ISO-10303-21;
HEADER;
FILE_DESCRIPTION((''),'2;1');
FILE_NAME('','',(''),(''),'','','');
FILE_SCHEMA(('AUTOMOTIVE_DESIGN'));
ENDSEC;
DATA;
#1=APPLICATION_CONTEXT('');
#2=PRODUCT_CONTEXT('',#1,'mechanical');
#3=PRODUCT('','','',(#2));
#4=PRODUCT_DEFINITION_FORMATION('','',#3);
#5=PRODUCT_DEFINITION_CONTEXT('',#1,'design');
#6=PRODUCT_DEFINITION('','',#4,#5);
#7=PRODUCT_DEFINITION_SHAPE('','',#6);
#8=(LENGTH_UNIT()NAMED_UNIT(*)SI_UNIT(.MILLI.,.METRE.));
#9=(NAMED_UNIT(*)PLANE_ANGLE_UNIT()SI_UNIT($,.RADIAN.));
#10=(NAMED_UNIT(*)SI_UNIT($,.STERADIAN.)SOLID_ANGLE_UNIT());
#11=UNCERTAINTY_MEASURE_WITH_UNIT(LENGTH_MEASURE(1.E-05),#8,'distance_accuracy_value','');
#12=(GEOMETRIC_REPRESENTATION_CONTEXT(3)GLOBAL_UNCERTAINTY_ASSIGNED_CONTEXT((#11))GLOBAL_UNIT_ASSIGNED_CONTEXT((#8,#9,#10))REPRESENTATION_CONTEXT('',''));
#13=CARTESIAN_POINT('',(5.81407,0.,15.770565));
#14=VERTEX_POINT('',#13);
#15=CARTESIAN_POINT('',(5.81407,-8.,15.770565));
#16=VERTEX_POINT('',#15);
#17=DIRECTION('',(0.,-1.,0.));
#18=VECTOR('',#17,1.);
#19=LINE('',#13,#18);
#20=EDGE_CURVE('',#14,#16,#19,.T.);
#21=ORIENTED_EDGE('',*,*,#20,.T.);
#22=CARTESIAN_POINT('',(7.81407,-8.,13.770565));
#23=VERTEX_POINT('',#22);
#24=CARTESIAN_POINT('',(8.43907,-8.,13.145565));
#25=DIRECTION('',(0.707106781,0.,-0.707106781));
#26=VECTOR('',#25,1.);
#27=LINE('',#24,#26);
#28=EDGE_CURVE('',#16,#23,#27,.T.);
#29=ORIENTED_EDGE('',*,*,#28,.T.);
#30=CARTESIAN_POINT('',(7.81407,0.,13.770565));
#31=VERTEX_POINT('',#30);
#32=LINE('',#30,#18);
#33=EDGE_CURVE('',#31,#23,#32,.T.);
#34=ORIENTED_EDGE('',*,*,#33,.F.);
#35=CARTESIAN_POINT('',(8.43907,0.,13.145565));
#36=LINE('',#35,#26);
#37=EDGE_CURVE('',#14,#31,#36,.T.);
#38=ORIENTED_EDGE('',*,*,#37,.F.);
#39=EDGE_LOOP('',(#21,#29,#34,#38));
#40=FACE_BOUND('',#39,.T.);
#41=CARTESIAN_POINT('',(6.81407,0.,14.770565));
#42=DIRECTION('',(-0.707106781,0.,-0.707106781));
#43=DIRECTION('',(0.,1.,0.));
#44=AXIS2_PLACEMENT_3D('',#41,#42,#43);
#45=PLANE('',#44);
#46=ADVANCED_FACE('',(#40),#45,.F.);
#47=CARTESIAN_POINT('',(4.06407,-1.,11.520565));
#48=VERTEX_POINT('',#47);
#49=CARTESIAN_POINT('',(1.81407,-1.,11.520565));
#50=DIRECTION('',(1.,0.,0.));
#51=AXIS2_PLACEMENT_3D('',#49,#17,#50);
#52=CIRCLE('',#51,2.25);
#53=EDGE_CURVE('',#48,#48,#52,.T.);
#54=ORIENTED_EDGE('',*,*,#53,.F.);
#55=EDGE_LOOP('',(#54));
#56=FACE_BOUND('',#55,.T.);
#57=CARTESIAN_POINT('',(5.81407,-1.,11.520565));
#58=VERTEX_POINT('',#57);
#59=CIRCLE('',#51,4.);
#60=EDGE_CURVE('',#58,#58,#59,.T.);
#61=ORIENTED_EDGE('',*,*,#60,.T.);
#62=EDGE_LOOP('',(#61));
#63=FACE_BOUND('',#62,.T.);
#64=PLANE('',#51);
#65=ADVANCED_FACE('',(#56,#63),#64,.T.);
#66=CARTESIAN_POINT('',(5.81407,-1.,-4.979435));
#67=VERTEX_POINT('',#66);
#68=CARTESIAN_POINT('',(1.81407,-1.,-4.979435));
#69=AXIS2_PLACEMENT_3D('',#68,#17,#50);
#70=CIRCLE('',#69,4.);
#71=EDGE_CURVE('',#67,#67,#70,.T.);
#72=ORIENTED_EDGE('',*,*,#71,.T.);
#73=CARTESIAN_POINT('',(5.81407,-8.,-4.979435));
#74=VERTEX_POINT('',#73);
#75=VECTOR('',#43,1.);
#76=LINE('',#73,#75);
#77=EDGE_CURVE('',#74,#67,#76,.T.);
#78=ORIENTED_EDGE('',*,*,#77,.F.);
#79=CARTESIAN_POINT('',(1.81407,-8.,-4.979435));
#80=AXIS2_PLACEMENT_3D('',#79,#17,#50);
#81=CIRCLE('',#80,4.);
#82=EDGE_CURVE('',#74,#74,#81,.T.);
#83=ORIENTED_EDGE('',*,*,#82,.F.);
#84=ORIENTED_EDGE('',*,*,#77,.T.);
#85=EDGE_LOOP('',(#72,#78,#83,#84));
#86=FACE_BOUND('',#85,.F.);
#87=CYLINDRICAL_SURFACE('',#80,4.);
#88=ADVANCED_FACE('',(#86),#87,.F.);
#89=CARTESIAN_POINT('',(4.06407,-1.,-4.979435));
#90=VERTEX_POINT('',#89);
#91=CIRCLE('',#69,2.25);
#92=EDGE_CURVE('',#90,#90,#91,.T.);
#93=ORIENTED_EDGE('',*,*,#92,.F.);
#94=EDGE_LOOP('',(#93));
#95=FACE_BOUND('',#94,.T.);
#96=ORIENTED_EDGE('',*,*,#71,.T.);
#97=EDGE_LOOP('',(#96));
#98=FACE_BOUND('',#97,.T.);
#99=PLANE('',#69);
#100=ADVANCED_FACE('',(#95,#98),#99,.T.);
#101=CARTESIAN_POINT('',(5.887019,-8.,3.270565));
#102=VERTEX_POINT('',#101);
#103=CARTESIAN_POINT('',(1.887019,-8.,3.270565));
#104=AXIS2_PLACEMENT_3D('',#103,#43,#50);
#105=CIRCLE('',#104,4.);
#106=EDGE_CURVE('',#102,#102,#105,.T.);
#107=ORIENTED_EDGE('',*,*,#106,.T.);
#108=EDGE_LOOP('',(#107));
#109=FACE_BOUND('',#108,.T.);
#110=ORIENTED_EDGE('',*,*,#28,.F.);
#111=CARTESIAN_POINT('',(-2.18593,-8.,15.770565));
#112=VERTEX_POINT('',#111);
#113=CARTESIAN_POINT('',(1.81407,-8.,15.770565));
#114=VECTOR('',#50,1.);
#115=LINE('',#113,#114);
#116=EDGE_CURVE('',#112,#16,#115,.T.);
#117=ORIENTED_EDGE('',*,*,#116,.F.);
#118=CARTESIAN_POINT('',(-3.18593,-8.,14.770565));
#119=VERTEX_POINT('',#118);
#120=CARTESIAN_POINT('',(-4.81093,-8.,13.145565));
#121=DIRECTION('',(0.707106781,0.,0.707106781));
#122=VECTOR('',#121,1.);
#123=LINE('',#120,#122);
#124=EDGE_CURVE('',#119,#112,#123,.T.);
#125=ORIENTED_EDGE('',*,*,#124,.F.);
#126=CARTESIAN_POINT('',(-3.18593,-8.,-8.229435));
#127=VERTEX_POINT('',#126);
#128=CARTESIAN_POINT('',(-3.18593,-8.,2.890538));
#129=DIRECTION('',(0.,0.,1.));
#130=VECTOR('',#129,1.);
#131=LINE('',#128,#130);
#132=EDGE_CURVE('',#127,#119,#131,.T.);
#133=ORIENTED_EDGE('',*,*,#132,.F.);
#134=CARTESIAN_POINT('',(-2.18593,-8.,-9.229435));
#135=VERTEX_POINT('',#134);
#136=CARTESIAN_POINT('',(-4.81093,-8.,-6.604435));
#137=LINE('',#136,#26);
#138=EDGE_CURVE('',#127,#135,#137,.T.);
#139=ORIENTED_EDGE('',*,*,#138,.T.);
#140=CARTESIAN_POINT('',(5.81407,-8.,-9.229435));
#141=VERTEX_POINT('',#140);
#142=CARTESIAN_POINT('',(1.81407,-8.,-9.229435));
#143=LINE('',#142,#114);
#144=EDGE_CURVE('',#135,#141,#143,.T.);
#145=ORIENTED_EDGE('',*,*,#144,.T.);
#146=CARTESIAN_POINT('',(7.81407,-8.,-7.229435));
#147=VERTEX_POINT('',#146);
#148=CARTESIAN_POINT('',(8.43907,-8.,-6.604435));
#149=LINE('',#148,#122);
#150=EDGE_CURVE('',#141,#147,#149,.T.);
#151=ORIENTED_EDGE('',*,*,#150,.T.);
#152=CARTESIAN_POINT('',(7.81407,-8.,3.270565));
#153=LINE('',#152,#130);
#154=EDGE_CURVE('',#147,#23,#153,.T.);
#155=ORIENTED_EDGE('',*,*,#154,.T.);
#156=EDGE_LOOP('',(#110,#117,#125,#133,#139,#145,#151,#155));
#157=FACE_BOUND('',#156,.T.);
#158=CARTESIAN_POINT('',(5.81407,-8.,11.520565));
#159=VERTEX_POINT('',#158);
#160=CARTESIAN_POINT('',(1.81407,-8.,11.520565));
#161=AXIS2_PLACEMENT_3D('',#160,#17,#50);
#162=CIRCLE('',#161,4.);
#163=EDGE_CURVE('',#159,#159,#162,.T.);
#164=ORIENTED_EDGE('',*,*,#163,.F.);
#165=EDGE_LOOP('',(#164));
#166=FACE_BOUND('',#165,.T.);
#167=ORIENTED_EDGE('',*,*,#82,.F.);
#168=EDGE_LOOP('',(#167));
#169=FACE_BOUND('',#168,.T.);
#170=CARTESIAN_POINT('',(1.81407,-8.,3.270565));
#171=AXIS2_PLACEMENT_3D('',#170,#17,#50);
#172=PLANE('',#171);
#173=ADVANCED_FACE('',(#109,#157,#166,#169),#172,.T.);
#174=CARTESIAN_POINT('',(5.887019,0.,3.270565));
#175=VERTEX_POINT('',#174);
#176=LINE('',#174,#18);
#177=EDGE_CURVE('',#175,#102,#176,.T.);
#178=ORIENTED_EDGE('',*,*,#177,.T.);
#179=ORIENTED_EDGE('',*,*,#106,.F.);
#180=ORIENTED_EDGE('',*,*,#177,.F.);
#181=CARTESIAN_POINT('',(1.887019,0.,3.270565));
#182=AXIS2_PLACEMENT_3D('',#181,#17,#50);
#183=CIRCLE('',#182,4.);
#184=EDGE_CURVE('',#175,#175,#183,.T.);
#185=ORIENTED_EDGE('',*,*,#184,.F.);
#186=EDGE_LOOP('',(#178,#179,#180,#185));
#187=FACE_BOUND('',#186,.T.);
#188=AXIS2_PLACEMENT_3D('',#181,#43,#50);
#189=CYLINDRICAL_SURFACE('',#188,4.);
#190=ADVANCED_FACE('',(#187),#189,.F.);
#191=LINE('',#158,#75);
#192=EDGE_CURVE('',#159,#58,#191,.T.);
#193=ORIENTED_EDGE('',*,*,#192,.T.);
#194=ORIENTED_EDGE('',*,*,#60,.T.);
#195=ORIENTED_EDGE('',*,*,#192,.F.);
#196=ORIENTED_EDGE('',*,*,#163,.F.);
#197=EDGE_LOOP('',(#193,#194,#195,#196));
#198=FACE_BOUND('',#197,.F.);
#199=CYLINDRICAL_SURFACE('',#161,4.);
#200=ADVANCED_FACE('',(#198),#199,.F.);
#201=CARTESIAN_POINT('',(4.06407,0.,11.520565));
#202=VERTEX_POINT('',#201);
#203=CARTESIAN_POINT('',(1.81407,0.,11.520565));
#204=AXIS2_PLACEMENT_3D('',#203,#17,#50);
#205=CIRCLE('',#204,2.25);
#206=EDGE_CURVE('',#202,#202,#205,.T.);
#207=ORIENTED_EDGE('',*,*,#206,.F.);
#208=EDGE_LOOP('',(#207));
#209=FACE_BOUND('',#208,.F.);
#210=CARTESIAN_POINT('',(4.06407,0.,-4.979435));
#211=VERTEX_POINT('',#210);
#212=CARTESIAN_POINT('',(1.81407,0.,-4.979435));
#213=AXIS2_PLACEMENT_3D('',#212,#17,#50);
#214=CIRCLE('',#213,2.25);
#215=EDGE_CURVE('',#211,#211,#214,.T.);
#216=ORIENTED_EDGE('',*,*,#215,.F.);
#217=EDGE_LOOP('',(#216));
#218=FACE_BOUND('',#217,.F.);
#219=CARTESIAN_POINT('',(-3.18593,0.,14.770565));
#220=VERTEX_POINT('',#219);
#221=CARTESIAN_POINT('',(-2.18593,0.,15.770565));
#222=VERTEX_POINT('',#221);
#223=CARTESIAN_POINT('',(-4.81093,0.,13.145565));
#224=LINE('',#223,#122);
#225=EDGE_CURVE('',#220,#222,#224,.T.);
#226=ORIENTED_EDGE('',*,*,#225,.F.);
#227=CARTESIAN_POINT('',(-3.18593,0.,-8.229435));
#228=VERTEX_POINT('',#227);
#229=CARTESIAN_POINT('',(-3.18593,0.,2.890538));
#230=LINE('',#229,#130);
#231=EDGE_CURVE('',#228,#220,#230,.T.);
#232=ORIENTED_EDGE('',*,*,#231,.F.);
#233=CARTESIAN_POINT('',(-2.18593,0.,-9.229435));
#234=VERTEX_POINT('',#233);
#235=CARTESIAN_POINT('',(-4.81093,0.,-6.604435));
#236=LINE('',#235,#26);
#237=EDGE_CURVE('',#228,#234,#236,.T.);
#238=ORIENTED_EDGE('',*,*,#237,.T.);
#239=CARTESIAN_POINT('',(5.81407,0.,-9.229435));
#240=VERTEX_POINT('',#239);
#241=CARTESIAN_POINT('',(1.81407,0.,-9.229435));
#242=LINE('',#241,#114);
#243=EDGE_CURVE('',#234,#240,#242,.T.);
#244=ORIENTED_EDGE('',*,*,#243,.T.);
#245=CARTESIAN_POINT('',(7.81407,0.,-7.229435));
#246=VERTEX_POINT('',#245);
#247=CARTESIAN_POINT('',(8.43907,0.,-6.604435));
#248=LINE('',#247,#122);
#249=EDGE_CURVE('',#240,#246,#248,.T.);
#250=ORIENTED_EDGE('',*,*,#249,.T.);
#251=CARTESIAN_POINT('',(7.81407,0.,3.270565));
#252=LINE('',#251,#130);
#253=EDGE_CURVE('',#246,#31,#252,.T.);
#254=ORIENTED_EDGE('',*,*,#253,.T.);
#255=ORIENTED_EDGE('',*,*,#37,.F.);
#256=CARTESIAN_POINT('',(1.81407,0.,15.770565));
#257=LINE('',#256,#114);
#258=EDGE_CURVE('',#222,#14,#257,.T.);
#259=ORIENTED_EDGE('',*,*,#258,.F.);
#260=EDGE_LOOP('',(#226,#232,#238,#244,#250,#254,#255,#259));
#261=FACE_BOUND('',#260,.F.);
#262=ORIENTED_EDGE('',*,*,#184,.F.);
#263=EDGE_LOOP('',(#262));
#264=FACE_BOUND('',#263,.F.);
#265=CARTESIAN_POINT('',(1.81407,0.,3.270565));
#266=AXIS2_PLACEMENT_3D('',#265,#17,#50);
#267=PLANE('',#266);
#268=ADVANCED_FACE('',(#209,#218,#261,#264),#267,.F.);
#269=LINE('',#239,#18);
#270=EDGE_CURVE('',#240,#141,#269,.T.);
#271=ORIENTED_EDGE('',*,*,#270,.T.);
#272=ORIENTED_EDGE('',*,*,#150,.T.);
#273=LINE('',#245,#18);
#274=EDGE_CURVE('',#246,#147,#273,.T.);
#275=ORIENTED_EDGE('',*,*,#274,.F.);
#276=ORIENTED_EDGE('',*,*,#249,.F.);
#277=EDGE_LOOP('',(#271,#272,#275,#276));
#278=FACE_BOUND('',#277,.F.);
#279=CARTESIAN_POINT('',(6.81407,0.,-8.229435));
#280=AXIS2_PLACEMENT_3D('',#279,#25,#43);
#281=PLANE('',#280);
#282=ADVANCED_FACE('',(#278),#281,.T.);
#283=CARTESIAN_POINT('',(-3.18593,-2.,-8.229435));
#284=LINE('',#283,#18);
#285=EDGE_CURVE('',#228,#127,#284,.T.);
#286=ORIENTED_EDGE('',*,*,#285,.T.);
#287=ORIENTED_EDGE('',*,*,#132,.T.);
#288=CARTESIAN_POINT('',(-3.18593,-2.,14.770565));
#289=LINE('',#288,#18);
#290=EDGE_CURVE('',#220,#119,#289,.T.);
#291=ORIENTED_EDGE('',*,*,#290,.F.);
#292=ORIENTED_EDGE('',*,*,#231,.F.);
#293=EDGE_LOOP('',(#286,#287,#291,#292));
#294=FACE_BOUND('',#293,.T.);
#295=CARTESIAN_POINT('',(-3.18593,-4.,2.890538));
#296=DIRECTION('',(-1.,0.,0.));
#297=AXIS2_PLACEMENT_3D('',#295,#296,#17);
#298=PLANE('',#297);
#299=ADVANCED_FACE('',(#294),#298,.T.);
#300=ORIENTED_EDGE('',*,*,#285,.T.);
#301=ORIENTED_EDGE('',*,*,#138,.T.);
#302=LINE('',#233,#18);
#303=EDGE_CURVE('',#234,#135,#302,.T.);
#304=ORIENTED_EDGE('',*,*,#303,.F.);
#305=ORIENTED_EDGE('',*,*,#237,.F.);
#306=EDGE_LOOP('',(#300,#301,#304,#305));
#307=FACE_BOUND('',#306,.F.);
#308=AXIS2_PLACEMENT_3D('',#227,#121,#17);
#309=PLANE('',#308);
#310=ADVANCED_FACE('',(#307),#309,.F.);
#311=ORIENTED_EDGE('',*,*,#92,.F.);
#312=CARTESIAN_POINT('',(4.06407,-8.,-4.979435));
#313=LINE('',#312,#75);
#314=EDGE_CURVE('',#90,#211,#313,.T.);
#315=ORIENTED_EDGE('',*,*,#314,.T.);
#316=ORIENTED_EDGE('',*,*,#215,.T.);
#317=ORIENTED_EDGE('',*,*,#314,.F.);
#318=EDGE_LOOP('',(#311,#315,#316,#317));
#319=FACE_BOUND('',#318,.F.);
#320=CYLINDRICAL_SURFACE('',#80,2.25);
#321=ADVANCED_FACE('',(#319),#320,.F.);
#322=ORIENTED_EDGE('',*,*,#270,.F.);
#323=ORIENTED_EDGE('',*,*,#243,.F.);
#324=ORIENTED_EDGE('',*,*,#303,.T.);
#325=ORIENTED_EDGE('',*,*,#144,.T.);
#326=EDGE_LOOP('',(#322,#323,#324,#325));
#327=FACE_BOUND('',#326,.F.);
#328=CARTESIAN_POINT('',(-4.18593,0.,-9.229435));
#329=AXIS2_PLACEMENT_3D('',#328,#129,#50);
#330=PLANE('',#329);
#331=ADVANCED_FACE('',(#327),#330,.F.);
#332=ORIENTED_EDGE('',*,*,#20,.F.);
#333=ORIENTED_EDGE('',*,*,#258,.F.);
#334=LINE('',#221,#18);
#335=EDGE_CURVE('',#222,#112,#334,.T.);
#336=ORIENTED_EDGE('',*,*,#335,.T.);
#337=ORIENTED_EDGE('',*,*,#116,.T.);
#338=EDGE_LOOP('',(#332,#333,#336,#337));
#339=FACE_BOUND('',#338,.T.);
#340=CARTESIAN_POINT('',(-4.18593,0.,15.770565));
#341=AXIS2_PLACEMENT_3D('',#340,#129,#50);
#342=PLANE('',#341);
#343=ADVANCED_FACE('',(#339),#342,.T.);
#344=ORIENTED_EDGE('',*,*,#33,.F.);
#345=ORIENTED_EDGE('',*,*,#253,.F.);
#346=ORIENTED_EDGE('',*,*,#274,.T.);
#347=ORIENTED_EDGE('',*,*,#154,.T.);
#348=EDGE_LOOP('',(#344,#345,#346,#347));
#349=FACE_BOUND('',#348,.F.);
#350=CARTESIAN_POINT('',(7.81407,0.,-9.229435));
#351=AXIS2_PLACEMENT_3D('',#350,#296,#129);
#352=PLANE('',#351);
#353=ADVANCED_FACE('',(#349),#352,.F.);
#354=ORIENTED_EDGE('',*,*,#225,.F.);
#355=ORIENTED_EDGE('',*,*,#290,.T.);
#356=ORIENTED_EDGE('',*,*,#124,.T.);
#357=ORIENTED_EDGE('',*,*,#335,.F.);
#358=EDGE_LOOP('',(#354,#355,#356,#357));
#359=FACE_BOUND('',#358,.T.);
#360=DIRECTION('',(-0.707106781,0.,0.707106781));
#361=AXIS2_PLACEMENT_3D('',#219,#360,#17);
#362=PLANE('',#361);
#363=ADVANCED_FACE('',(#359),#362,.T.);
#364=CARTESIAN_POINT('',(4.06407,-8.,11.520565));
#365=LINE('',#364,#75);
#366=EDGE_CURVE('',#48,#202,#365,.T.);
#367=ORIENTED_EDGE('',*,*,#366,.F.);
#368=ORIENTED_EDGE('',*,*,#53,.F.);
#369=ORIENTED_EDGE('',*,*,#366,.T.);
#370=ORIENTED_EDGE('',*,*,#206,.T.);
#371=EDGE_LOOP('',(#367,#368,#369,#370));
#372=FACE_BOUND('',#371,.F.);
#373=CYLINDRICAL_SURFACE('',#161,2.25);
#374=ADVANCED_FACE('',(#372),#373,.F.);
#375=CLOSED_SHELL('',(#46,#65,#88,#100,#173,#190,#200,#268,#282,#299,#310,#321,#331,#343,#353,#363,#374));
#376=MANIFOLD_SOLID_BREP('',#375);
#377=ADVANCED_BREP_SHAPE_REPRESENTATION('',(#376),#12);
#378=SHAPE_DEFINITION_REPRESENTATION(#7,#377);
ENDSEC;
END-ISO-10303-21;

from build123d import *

# Parameters (mm, degrees)
F0_W      = 12
F0_H      = 25
F1_DEPTH  = 8
F2_SIZE   = 2
F3_SIZE   = 2
F4_R      = 2.25
F5_DEPTH  = 25
F6_R      = 4
F7_DEPTH  = 7
F8_R      = 4
F9_DEPTH  = 25
F10_W     = 8
F10_H     = 27.262656
F11_DEPTH = 1


with BuildPart() as f1:
    # F0 (on Front) → F1 (new body)
    with BuildSketch(Plane.XZ):
        with Locations((1.81407, 3.270565)):
            Rectangle(F0_W, F0_H)
    extrude(amount=F1_DEPTH)

    # F2
    f2_edges = [f1.edges().sort_by_distance(p)[0] for p in [
        (-4.18593, -4, 15.770565),
    ]]
    chamfer(f2_edges, length=F2_SIZE)

    # F3
    f3_edges = [f1.edges().sort_by_distance(p)[0] for p in [
        (7.81407, -4, 15.770565),
        (7.81407, -4, -9.229435),
        (-4.18593, -4, -9.229435),
    ]]
    chamfer(f3_edges, length=F3_SIZE)

    # F4 (on face) → F5 (cut)
    with BuildSketch(Plane.XZ.offset(8)):
        with Locations((1.81407, -4.979435)):
            Circle(F4_R)
        with Locations((1.81407, 11.520565)):
            Circle(F4_R)
    extrude(amount=-F5_DEPTH, mode=Mode.SUBTRACT)

    # F6 (on face) → F7 (cut)
    with BuildSketch(Plane.XZ.offset(8)):
        with Locations((1.81407, 11.520565)):
            Circle(F6_R)
        with Locations((1.81407, -4.979435)):
            Circle(F6_R)
    extrude(amount=-F7_DEPTH, mode=Mode.SUBTRACT)

    # F8 (on Front) → F9 (cut)
    with BuildSketch(Plane.XZ):
        with Locations((1.887019, 3.270565)):
            Circle(F8_R)
    extrude(amount=F9_DEPTH, mode=Mode.SUBTRACT)

    # F10 (on face) → F11 (cut)
    with BuildSketch(Plane(origin=(-4.18593, 0, 0), x_dir=(0, -1, 0), z_dir=(-1, 0, 0))):
        with Locations((4, 2.890538)):
            Rectangle(F10_W, F10_H)
    extrude(amount=-F11_DEPTH, mode=Mode.SUBTRACT)


solid = f1.part
